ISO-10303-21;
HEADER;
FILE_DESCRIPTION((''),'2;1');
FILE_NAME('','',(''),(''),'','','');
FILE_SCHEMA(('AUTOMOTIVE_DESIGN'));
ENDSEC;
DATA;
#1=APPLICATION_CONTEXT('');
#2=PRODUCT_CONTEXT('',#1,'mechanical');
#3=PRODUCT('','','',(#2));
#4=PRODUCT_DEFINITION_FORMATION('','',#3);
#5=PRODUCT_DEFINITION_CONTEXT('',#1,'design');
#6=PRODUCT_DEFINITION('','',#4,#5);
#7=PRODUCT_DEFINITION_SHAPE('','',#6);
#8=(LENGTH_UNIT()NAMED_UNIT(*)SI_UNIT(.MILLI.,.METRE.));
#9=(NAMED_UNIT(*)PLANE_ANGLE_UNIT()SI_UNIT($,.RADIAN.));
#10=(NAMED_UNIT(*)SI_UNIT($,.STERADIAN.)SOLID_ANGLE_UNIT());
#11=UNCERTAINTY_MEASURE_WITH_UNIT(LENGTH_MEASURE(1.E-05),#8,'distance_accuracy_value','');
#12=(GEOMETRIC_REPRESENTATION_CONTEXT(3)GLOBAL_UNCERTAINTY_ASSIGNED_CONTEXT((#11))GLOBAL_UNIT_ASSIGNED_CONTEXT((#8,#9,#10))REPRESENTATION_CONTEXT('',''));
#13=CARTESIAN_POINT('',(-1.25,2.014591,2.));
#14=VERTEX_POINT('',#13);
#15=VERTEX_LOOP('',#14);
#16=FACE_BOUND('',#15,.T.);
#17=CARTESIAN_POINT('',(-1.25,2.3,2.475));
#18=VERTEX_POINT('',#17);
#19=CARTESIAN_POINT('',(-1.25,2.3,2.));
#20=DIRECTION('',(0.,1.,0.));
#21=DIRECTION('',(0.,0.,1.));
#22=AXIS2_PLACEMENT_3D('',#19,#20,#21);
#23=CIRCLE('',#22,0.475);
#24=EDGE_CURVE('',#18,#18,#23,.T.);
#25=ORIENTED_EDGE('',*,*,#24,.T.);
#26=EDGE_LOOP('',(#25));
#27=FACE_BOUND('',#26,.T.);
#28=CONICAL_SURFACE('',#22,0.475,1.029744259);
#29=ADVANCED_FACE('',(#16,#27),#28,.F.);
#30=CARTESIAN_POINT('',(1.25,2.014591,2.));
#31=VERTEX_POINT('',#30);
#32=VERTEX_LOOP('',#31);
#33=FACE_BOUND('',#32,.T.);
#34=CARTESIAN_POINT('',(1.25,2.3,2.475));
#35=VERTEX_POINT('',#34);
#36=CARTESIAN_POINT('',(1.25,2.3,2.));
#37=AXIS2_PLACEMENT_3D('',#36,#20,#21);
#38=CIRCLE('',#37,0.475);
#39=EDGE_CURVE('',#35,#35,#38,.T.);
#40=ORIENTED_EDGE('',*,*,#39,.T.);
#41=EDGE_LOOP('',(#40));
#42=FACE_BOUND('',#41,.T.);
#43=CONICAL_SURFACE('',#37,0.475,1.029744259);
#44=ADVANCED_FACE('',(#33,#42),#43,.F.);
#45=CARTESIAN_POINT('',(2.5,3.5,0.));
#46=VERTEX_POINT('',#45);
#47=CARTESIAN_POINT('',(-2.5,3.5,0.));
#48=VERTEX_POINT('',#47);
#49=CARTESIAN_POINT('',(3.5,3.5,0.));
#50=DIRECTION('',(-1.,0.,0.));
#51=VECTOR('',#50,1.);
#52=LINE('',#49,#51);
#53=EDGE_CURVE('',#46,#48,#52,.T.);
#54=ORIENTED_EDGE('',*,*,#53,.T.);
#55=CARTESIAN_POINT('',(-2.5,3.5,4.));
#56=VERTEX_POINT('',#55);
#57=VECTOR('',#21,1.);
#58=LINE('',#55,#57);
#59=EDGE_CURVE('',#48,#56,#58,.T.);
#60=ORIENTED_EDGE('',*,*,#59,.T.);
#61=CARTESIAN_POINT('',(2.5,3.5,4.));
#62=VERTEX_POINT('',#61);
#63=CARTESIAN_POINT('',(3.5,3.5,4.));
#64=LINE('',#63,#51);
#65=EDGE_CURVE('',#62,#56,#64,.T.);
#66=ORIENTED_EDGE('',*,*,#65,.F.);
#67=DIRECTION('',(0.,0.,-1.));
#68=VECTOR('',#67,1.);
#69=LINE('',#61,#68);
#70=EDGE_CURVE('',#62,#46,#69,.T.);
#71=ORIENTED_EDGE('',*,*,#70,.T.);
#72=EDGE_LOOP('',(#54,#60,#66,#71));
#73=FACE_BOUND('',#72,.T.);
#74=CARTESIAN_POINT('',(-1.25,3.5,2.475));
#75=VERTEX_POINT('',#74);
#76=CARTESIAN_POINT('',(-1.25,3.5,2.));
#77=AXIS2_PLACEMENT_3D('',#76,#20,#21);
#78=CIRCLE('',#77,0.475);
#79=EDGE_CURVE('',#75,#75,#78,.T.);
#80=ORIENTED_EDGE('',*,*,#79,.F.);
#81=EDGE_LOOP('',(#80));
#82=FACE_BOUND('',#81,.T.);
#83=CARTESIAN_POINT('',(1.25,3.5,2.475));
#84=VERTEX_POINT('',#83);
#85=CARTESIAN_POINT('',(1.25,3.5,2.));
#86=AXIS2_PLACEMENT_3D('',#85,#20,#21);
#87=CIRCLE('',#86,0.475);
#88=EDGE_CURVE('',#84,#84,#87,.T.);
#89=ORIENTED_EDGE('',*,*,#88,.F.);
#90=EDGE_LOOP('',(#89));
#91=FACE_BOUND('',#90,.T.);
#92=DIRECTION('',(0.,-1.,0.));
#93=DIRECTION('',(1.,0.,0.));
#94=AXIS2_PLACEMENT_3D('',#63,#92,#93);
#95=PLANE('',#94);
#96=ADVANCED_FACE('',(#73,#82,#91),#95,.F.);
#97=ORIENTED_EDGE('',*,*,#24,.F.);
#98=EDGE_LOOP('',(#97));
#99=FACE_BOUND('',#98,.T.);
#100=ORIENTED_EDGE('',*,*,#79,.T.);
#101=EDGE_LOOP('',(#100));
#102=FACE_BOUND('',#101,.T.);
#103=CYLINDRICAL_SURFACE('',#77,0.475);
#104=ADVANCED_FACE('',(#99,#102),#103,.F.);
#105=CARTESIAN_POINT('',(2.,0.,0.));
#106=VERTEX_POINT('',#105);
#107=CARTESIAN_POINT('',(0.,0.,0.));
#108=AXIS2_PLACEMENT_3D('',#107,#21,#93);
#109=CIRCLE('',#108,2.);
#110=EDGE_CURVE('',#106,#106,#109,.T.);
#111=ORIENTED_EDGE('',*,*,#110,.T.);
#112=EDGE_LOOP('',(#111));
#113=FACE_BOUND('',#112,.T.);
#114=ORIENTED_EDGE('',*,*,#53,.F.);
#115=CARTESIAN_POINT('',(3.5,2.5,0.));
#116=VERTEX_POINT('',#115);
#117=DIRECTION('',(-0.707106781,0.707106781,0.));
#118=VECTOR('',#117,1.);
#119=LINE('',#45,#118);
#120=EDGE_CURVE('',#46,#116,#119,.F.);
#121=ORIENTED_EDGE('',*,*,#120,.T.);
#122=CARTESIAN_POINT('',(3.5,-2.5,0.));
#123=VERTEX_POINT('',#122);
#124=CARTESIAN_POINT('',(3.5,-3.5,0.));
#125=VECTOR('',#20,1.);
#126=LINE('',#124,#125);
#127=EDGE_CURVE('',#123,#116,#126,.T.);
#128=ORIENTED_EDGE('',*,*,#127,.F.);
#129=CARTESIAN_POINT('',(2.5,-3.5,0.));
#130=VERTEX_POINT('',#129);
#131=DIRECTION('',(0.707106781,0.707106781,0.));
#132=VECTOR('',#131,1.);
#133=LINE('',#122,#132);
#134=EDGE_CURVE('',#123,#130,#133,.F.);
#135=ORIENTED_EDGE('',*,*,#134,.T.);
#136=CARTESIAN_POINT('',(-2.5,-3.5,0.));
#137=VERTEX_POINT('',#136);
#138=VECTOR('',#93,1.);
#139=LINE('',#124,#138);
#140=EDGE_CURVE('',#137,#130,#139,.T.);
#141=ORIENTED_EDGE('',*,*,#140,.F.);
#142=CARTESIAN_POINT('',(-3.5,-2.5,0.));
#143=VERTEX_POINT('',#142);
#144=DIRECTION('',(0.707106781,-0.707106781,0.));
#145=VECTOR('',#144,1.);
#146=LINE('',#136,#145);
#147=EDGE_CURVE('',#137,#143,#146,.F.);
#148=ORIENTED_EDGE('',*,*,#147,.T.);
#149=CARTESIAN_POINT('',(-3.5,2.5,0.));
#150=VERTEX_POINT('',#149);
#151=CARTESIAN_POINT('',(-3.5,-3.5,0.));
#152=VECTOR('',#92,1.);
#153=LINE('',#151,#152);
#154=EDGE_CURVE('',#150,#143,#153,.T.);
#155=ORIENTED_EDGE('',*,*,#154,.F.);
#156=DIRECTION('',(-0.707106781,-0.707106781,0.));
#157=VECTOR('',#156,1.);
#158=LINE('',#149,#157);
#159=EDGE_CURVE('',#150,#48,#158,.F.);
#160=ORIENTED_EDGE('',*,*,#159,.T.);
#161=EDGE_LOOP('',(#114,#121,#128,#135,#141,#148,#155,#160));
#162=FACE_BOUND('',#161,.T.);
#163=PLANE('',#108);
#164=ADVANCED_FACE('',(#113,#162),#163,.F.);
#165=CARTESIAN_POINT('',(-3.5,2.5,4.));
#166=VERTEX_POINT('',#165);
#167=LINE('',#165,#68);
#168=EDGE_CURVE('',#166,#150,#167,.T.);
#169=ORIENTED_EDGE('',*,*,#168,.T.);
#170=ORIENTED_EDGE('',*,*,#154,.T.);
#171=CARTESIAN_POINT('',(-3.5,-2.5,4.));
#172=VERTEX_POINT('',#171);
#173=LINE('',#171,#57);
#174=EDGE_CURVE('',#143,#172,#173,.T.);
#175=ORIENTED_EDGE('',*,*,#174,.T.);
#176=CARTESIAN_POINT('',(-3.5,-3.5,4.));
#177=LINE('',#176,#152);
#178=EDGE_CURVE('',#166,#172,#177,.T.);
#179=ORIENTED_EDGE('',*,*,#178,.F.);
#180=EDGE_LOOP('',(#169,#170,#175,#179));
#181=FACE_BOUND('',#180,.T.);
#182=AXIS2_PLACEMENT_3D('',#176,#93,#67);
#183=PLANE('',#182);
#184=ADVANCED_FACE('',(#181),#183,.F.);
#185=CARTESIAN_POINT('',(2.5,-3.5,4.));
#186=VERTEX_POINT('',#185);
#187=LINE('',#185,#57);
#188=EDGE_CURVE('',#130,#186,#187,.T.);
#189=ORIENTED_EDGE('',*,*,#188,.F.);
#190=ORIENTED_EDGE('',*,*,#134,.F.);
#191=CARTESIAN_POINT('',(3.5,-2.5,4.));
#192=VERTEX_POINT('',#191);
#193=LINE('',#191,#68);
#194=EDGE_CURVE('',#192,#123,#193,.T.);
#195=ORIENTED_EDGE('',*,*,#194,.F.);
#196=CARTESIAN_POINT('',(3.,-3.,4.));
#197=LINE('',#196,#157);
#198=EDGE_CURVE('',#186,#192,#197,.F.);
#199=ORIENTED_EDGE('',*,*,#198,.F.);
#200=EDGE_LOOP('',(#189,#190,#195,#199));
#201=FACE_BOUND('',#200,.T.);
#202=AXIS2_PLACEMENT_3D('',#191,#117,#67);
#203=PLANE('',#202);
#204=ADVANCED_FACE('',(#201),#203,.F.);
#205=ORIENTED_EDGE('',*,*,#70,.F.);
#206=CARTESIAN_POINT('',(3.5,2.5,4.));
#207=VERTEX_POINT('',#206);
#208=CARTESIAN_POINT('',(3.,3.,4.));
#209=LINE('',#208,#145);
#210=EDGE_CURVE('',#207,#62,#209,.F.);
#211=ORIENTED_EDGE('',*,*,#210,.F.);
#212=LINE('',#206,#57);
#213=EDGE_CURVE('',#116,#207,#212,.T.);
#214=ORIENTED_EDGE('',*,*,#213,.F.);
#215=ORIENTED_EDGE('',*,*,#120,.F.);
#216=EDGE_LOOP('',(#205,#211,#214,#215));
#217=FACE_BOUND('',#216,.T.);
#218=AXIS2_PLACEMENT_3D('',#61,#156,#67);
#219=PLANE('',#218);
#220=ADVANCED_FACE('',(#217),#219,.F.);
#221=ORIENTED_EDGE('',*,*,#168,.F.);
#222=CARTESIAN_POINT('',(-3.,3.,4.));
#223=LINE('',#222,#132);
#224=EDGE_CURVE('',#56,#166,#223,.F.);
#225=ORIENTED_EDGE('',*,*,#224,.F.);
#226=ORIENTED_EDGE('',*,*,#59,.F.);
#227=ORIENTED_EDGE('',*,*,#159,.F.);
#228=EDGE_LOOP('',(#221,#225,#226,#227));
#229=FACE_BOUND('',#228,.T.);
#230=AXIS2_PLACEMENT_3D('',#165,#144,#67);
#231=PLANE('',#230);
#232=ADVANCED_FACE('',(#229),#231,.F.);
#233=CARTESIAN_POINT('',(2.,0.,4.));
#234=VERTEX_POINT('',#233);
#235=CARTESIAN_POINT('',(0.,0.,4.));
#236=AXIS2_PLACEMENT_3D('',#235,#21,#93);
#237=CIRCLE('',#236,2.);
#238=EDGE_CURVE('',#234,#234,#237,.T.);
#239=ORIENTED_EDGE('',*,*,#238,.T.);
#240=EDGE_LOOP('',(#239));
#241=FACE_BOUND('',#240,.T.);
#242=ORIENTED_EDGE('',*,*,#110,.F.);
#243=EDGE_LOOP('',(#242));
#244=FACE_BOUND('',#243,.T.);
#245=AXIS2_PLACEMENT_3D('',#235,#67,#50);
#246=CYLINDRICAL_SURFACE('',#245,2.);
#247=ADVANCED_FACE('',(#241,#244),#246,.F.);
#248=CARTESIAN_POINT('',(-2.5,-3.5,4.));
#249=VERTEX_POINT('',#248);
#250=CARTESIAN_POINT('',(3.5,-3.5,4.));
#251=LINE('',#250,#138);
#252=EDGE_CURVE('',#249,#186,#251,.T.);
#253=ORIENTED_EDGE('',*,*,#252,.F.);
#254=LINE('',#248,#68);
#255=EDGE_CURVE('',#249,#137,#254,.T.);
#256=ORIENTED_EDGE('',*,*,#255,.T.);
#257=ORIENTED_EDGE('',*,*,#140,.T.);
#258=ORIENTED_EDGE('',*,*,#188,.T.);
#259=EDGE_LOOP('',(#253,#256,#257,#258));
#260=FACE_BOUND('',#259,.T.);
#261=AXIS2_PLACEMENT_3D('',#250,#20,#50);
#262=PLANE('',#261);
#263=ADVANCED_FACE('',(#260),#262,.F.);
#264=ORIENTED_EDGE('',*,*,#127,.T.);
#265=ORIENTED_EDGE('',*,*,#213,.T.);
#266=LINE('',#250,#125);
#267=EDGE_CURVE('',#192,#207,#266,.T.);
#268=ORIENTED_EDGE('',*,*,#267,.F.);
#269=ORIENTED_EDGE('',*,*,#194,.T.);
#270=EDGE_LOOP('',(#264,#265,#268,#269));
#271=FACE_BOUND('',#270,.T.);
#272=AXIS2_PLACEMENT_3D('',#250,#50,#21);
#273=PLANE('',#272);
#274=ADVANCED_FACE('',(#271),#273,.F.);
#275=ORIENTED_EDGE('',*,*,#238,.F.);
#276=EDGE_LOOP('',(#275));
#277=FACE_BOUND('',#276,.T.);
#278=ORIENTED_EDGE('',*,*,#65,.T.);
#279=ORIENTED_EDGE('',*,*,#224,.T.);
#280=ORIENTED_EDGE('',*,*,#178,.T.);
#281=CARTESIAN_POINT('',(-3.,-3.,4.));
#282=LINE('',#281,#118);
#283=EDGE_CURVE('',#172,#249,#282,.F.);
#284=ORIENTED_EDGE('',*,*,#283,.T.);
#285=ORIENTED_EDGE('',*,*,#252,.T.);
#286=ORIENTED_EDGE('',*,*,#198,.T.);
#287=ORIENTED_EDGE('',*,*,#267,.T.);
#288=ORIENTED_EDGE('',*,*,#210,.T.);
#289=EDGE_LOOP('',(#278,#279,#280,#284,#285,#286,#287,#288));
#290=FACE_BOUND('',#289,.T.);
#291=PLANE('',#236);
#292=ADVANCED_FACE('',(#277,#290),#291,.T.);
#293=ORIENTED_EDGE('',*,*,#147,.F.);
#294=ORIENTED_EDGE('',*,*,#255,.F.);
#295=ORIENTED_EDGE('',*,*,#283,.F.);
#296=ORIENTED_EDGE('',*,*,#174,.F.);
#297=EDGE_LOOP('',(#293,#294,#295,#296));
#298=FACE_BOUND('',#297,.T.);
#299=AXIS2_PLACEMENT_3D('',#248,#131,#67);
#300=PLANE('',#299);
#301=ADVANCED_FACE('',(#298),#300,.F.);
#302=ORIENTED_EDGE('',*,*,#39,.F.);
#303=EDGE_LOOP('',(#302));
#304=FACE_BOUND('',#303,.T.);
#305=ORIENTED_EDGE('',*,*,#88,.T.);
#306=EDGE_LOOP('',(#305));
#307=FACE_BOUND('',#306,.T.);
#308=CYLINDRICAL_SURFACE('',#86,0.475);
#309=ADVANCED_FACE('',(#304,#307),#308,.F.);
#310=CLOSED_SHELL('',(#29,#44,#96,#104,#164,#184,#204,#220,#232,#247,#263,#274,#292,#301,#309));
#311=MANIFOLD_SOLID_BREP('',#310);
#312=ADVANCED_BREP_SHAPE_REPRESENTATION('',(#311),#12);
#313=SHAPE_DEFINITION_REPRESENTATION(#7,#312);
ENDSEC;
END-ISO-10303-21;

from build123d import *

# Parameters (mm, degrees)
SCHIZZO1_W                       = 7
SCHIZZO1_H                       = 7
SCHIZZO1_R                       = 2
ESTRUSIONE_ESTRUSIONE1_DEPTH     = 4
SMUSSO1_SIZE                     = 1
FORO_FILETTATO_M1_2X0_25_1_D     = 0.95
FORO_FILETTATO_M1_2X0_25_1_DEPTH = 1.2
FORO_FILETTATO_M1_2X0_25_1_TIP   = 0.285408794


with BuildPart() as part:
    # Schizzo1 → Estrusione-Estrusione1 (new body)
    with BuildSketch(Plane.XY):
        Rectangle(SCHIZZO1_W, SCHIZZO1_H)
        Circle(SCHIZZO1_R, mode=Mode.SUBTRACT)
    extrude(amount=ESTRUSIONE_ESTRUSIONE1_DEPTH)

    # Smusso1
    smusso1_edges = [part.edges().sort_by_distance(p)[0] for p in [
        (-3.5, 3.5, 2),
        (3.5, 3.5, 2),
        (3.5, -3.5, 2),
        (-3.5, -3.5, 2),
    ]]
    chamfer(smusso1_edges, length=SMUSSO1_SIZE)

    # Foro filettato M1.2x0.25-1
    with Locations(Plane(origin=(-1.25, 3.5, 2), x_dir=(1, 0, 0), z_dir=(0, 1, 0))):
        with Locations((0, 0), (2.5, 0)):
            Hole(FORO_FILETTATO_M1_2X0_25_1_D / 2, depth=FORO_FILETTATO_M1_2X0_25_1_DEPTH)
            with Locations((0, 0, -(FORO_FILETTATO_M1_2X0_25_1_DEPTH + FORO_FILETTATO_M1_2X0_25_1_TIP / 2))):  # 118° drill point
                Cone(0, FORO_FILETTATO_M1_2X0_25_1_D / 2, FORO_FILETTATO_M1_2X0_25_1_TIP, mode=Mode.SUBTRACT)


solid = part.part
